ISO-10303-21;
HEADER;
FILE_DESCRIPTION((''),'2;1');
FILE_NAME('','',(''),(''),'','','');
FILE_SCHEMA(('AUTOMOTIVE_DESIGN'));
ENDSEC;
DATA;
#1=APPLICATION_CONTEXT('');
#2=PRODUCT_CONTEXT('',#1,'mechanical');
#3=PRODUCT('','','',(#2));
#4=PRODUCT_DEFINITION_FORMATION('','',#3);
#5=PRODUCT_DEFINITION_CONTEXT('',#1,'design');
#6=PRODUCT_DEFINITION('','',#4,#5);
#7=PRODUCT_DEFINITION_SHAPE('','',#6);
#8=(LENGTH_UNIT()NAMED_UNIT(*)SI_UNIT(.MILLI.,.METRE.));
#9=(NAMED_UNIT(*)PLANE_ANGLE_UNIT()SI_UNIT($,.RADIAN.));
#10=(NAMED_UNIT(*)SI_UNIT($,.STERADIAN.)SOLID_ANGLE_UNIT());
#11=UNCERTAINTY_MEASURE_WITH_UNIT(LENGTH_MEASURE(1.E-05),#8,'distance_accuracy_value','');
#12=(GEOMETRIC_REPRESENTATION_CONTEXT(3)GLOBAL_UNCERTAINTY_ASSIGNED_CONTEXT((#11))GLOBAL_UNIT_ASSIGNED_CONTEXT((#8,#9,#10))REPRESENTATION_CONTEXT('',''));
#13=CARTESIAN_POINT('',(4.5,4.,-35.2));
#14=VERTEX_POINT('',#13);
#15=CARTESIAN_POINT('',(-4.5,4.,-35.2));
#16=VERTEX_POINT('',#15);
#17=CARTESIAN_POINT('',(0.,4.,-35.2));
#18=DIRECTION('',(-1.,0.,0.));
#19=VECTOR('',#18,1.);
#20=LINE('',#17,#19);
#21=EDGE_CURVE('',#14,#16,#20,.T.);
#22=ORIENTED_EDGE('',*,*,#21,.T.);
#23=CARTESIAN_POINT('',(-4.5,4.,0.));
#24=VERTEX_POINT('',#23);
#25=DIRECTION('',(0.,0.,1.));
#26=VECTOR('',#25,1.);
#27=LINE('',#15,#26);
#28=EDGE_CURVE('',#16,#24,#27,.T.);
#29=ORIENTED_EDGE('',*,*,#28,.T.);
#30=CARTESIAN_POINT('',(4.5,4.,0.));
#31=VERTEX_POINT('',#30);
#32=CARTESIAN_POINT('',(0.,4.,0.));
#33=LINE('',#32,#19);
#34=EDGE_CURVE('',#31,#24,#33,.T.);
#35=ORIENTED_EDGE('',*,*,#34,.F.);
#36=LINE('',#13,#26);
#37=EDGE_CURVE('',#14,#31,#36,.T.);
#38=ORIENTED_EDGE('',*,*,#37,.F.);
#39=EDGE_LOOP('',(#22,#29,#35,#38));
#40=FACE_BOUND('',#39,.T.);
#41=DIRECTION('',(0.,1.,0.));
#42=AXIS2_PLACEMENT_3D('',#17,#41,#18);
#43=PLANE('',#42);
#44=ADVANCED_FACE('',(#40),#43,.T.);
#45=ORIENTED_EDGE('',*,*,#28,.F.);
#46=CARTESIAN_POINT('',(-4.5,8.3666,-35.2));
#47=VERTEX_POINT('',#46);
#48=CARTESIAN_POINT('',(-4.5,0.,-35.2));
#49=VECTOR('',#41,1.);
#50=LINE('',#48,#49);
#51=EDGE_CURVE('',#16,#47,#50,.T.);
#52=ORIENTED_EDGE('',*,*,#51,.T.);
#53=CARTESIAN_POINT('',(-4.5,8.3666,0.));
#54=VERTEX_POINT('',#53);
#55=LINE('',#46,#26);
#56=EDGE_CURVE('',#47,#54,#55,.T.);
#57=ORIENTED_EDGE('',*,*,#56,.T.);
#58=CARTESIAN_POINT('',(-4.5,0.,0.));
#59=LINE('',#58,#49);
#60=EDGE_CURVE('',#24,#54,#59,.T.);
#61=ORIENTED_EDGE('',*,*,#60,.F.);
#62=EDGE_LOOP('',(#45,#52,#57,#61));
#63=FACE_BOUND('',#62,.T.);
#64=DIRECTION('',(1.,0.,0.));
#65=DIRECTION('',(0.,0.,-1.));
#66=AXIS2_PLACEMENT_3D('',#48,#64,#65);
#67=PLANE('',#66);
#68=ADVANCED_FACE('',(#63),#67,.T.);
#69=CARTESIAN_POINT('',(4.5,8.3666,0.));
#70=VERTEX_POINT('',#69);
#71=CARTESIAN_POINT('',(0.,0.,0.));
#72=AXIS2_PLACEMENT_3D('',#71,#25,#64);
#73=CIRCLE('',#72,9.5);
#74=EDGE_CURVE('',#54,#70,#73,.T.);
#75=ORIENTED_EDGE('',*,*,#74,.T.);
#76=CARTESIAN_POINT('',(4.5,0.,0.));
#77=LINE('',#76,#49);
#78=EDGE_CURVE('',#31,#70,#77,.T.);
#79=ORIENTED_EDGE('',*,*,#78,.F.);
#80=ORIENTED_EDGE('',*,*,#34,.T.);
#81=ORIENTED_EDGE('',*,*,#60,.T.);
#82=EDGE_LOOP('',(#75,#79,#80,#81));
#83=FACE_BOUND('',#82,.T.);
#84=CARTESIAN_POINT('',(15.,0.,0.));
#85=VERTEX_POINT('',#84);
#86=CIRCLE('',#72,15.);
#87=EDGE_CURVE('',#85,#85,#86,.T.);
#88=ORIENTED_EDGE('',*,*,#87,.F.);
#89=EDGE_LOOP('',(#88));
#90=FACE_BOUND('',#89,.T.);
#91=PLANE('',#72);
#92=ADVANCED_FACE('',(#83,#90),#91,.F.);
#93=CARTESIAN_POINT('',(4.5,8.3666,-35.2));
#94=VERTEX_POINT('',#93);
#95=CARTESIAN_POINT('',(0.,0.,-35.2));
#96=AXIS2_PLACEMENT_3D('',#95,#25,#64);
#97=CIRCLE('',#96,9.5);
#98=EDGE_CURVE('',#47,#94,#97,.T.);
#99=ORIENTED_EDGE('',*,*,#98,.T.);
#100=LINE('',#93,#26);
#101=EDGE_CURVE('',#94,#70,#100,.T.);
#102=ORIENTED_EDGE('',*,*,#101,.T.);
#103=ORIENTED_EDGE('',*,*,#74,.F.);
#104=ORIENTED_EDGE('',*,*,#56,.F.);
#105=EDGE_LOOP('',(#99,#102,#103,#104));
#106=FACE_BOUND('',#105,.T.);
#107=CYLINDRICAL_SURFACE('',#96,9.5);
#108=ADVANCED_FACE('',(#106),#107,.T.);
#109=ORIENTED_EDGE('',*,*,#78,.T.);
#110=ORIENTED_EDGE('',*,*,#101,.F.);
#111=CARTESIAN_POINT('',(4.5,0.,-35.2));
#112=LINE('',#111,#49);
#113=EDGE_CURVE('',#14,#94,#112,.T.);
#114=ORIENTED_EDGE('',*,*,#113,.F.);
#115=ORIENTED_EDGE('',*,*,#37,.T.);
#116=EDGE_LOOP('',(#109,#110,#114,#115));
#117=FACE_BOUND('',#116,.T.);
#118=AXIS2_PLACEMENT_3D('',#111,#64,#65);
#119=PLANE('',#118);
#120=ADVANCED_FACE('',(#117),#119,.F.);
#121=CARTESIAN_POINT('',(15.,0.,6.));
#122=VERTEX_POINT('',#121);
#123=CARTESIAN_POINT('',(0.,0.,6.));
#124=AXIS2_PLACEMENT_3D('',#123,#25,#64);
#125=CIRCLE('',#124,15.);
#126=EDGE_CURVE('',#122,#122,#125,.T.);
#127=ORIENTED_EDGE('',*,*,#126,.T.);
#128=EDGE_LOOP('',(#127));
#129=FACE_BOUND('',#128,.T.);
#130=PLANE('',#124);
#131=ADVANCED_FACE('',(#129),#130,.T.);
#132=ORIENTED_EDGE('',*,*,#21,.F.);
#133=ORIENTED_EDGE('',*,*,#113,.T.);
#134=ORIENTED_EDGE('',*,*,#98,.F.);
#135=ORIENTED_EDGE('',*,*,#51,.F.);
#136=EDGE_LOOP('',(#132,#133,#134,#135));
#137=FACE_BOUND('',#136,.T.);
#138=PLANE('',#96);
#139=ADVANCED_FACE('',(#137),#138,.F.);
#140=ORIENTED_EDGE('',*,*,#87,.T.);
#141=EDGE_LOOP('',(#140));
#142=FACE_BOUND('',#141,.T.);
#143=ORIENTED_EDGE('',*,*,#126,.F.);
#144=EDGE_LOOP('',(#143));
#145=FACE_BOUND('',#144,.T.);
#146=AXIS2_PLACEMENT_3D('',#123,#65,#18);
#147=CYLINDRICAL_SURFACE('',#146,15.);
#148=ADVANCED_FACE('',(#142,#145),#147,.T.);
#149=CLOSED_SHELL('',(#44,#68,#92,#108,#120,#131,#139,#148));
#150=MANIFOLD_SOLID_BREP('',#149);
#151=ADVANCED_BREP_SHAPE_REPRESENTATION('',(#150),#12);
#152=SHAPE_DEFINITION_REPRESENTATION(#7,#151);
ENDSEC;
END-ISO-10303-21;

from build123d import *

# Parameters (mm, degrees)
SKETCH1_R           = 15
BOSS_EXTRUDE1_DEPTH = 6
BOSS_EXTRUDE2_DEPTH = 35.2


with BuildPart() as part:
    # Sketch1 → Boss-Extrude1 (new body)
    with BuildSketch(Plane.XY):
        Circle(SKETCH1_R)
    extrude(amount=BOSS_EXTRUDE1_DEPTH)

    # Sketch1<3> → Boss-Extrude2 (add)
    with BuildSketch(Plane.XY):
        with BuildLine():
            Line((4.5, 8.366600265), (4.5, 4))
            Line((4.5, 4), (-4.5, 4))
            Line((-4.5, 4), (-4.5, 8.366600265))
            ThreePointArc((-4.5, 8.366600265), (-4.873397172, -8.154753215), (9.5, 0))
            ThreePointArc((9.5, 0), (8.154753215, 4.873397172), (4.5, 8.366600265))
        make_face()
    extrude(amount=-BOSS_EXTRUDE2_DEPTH)


solid = part.part
